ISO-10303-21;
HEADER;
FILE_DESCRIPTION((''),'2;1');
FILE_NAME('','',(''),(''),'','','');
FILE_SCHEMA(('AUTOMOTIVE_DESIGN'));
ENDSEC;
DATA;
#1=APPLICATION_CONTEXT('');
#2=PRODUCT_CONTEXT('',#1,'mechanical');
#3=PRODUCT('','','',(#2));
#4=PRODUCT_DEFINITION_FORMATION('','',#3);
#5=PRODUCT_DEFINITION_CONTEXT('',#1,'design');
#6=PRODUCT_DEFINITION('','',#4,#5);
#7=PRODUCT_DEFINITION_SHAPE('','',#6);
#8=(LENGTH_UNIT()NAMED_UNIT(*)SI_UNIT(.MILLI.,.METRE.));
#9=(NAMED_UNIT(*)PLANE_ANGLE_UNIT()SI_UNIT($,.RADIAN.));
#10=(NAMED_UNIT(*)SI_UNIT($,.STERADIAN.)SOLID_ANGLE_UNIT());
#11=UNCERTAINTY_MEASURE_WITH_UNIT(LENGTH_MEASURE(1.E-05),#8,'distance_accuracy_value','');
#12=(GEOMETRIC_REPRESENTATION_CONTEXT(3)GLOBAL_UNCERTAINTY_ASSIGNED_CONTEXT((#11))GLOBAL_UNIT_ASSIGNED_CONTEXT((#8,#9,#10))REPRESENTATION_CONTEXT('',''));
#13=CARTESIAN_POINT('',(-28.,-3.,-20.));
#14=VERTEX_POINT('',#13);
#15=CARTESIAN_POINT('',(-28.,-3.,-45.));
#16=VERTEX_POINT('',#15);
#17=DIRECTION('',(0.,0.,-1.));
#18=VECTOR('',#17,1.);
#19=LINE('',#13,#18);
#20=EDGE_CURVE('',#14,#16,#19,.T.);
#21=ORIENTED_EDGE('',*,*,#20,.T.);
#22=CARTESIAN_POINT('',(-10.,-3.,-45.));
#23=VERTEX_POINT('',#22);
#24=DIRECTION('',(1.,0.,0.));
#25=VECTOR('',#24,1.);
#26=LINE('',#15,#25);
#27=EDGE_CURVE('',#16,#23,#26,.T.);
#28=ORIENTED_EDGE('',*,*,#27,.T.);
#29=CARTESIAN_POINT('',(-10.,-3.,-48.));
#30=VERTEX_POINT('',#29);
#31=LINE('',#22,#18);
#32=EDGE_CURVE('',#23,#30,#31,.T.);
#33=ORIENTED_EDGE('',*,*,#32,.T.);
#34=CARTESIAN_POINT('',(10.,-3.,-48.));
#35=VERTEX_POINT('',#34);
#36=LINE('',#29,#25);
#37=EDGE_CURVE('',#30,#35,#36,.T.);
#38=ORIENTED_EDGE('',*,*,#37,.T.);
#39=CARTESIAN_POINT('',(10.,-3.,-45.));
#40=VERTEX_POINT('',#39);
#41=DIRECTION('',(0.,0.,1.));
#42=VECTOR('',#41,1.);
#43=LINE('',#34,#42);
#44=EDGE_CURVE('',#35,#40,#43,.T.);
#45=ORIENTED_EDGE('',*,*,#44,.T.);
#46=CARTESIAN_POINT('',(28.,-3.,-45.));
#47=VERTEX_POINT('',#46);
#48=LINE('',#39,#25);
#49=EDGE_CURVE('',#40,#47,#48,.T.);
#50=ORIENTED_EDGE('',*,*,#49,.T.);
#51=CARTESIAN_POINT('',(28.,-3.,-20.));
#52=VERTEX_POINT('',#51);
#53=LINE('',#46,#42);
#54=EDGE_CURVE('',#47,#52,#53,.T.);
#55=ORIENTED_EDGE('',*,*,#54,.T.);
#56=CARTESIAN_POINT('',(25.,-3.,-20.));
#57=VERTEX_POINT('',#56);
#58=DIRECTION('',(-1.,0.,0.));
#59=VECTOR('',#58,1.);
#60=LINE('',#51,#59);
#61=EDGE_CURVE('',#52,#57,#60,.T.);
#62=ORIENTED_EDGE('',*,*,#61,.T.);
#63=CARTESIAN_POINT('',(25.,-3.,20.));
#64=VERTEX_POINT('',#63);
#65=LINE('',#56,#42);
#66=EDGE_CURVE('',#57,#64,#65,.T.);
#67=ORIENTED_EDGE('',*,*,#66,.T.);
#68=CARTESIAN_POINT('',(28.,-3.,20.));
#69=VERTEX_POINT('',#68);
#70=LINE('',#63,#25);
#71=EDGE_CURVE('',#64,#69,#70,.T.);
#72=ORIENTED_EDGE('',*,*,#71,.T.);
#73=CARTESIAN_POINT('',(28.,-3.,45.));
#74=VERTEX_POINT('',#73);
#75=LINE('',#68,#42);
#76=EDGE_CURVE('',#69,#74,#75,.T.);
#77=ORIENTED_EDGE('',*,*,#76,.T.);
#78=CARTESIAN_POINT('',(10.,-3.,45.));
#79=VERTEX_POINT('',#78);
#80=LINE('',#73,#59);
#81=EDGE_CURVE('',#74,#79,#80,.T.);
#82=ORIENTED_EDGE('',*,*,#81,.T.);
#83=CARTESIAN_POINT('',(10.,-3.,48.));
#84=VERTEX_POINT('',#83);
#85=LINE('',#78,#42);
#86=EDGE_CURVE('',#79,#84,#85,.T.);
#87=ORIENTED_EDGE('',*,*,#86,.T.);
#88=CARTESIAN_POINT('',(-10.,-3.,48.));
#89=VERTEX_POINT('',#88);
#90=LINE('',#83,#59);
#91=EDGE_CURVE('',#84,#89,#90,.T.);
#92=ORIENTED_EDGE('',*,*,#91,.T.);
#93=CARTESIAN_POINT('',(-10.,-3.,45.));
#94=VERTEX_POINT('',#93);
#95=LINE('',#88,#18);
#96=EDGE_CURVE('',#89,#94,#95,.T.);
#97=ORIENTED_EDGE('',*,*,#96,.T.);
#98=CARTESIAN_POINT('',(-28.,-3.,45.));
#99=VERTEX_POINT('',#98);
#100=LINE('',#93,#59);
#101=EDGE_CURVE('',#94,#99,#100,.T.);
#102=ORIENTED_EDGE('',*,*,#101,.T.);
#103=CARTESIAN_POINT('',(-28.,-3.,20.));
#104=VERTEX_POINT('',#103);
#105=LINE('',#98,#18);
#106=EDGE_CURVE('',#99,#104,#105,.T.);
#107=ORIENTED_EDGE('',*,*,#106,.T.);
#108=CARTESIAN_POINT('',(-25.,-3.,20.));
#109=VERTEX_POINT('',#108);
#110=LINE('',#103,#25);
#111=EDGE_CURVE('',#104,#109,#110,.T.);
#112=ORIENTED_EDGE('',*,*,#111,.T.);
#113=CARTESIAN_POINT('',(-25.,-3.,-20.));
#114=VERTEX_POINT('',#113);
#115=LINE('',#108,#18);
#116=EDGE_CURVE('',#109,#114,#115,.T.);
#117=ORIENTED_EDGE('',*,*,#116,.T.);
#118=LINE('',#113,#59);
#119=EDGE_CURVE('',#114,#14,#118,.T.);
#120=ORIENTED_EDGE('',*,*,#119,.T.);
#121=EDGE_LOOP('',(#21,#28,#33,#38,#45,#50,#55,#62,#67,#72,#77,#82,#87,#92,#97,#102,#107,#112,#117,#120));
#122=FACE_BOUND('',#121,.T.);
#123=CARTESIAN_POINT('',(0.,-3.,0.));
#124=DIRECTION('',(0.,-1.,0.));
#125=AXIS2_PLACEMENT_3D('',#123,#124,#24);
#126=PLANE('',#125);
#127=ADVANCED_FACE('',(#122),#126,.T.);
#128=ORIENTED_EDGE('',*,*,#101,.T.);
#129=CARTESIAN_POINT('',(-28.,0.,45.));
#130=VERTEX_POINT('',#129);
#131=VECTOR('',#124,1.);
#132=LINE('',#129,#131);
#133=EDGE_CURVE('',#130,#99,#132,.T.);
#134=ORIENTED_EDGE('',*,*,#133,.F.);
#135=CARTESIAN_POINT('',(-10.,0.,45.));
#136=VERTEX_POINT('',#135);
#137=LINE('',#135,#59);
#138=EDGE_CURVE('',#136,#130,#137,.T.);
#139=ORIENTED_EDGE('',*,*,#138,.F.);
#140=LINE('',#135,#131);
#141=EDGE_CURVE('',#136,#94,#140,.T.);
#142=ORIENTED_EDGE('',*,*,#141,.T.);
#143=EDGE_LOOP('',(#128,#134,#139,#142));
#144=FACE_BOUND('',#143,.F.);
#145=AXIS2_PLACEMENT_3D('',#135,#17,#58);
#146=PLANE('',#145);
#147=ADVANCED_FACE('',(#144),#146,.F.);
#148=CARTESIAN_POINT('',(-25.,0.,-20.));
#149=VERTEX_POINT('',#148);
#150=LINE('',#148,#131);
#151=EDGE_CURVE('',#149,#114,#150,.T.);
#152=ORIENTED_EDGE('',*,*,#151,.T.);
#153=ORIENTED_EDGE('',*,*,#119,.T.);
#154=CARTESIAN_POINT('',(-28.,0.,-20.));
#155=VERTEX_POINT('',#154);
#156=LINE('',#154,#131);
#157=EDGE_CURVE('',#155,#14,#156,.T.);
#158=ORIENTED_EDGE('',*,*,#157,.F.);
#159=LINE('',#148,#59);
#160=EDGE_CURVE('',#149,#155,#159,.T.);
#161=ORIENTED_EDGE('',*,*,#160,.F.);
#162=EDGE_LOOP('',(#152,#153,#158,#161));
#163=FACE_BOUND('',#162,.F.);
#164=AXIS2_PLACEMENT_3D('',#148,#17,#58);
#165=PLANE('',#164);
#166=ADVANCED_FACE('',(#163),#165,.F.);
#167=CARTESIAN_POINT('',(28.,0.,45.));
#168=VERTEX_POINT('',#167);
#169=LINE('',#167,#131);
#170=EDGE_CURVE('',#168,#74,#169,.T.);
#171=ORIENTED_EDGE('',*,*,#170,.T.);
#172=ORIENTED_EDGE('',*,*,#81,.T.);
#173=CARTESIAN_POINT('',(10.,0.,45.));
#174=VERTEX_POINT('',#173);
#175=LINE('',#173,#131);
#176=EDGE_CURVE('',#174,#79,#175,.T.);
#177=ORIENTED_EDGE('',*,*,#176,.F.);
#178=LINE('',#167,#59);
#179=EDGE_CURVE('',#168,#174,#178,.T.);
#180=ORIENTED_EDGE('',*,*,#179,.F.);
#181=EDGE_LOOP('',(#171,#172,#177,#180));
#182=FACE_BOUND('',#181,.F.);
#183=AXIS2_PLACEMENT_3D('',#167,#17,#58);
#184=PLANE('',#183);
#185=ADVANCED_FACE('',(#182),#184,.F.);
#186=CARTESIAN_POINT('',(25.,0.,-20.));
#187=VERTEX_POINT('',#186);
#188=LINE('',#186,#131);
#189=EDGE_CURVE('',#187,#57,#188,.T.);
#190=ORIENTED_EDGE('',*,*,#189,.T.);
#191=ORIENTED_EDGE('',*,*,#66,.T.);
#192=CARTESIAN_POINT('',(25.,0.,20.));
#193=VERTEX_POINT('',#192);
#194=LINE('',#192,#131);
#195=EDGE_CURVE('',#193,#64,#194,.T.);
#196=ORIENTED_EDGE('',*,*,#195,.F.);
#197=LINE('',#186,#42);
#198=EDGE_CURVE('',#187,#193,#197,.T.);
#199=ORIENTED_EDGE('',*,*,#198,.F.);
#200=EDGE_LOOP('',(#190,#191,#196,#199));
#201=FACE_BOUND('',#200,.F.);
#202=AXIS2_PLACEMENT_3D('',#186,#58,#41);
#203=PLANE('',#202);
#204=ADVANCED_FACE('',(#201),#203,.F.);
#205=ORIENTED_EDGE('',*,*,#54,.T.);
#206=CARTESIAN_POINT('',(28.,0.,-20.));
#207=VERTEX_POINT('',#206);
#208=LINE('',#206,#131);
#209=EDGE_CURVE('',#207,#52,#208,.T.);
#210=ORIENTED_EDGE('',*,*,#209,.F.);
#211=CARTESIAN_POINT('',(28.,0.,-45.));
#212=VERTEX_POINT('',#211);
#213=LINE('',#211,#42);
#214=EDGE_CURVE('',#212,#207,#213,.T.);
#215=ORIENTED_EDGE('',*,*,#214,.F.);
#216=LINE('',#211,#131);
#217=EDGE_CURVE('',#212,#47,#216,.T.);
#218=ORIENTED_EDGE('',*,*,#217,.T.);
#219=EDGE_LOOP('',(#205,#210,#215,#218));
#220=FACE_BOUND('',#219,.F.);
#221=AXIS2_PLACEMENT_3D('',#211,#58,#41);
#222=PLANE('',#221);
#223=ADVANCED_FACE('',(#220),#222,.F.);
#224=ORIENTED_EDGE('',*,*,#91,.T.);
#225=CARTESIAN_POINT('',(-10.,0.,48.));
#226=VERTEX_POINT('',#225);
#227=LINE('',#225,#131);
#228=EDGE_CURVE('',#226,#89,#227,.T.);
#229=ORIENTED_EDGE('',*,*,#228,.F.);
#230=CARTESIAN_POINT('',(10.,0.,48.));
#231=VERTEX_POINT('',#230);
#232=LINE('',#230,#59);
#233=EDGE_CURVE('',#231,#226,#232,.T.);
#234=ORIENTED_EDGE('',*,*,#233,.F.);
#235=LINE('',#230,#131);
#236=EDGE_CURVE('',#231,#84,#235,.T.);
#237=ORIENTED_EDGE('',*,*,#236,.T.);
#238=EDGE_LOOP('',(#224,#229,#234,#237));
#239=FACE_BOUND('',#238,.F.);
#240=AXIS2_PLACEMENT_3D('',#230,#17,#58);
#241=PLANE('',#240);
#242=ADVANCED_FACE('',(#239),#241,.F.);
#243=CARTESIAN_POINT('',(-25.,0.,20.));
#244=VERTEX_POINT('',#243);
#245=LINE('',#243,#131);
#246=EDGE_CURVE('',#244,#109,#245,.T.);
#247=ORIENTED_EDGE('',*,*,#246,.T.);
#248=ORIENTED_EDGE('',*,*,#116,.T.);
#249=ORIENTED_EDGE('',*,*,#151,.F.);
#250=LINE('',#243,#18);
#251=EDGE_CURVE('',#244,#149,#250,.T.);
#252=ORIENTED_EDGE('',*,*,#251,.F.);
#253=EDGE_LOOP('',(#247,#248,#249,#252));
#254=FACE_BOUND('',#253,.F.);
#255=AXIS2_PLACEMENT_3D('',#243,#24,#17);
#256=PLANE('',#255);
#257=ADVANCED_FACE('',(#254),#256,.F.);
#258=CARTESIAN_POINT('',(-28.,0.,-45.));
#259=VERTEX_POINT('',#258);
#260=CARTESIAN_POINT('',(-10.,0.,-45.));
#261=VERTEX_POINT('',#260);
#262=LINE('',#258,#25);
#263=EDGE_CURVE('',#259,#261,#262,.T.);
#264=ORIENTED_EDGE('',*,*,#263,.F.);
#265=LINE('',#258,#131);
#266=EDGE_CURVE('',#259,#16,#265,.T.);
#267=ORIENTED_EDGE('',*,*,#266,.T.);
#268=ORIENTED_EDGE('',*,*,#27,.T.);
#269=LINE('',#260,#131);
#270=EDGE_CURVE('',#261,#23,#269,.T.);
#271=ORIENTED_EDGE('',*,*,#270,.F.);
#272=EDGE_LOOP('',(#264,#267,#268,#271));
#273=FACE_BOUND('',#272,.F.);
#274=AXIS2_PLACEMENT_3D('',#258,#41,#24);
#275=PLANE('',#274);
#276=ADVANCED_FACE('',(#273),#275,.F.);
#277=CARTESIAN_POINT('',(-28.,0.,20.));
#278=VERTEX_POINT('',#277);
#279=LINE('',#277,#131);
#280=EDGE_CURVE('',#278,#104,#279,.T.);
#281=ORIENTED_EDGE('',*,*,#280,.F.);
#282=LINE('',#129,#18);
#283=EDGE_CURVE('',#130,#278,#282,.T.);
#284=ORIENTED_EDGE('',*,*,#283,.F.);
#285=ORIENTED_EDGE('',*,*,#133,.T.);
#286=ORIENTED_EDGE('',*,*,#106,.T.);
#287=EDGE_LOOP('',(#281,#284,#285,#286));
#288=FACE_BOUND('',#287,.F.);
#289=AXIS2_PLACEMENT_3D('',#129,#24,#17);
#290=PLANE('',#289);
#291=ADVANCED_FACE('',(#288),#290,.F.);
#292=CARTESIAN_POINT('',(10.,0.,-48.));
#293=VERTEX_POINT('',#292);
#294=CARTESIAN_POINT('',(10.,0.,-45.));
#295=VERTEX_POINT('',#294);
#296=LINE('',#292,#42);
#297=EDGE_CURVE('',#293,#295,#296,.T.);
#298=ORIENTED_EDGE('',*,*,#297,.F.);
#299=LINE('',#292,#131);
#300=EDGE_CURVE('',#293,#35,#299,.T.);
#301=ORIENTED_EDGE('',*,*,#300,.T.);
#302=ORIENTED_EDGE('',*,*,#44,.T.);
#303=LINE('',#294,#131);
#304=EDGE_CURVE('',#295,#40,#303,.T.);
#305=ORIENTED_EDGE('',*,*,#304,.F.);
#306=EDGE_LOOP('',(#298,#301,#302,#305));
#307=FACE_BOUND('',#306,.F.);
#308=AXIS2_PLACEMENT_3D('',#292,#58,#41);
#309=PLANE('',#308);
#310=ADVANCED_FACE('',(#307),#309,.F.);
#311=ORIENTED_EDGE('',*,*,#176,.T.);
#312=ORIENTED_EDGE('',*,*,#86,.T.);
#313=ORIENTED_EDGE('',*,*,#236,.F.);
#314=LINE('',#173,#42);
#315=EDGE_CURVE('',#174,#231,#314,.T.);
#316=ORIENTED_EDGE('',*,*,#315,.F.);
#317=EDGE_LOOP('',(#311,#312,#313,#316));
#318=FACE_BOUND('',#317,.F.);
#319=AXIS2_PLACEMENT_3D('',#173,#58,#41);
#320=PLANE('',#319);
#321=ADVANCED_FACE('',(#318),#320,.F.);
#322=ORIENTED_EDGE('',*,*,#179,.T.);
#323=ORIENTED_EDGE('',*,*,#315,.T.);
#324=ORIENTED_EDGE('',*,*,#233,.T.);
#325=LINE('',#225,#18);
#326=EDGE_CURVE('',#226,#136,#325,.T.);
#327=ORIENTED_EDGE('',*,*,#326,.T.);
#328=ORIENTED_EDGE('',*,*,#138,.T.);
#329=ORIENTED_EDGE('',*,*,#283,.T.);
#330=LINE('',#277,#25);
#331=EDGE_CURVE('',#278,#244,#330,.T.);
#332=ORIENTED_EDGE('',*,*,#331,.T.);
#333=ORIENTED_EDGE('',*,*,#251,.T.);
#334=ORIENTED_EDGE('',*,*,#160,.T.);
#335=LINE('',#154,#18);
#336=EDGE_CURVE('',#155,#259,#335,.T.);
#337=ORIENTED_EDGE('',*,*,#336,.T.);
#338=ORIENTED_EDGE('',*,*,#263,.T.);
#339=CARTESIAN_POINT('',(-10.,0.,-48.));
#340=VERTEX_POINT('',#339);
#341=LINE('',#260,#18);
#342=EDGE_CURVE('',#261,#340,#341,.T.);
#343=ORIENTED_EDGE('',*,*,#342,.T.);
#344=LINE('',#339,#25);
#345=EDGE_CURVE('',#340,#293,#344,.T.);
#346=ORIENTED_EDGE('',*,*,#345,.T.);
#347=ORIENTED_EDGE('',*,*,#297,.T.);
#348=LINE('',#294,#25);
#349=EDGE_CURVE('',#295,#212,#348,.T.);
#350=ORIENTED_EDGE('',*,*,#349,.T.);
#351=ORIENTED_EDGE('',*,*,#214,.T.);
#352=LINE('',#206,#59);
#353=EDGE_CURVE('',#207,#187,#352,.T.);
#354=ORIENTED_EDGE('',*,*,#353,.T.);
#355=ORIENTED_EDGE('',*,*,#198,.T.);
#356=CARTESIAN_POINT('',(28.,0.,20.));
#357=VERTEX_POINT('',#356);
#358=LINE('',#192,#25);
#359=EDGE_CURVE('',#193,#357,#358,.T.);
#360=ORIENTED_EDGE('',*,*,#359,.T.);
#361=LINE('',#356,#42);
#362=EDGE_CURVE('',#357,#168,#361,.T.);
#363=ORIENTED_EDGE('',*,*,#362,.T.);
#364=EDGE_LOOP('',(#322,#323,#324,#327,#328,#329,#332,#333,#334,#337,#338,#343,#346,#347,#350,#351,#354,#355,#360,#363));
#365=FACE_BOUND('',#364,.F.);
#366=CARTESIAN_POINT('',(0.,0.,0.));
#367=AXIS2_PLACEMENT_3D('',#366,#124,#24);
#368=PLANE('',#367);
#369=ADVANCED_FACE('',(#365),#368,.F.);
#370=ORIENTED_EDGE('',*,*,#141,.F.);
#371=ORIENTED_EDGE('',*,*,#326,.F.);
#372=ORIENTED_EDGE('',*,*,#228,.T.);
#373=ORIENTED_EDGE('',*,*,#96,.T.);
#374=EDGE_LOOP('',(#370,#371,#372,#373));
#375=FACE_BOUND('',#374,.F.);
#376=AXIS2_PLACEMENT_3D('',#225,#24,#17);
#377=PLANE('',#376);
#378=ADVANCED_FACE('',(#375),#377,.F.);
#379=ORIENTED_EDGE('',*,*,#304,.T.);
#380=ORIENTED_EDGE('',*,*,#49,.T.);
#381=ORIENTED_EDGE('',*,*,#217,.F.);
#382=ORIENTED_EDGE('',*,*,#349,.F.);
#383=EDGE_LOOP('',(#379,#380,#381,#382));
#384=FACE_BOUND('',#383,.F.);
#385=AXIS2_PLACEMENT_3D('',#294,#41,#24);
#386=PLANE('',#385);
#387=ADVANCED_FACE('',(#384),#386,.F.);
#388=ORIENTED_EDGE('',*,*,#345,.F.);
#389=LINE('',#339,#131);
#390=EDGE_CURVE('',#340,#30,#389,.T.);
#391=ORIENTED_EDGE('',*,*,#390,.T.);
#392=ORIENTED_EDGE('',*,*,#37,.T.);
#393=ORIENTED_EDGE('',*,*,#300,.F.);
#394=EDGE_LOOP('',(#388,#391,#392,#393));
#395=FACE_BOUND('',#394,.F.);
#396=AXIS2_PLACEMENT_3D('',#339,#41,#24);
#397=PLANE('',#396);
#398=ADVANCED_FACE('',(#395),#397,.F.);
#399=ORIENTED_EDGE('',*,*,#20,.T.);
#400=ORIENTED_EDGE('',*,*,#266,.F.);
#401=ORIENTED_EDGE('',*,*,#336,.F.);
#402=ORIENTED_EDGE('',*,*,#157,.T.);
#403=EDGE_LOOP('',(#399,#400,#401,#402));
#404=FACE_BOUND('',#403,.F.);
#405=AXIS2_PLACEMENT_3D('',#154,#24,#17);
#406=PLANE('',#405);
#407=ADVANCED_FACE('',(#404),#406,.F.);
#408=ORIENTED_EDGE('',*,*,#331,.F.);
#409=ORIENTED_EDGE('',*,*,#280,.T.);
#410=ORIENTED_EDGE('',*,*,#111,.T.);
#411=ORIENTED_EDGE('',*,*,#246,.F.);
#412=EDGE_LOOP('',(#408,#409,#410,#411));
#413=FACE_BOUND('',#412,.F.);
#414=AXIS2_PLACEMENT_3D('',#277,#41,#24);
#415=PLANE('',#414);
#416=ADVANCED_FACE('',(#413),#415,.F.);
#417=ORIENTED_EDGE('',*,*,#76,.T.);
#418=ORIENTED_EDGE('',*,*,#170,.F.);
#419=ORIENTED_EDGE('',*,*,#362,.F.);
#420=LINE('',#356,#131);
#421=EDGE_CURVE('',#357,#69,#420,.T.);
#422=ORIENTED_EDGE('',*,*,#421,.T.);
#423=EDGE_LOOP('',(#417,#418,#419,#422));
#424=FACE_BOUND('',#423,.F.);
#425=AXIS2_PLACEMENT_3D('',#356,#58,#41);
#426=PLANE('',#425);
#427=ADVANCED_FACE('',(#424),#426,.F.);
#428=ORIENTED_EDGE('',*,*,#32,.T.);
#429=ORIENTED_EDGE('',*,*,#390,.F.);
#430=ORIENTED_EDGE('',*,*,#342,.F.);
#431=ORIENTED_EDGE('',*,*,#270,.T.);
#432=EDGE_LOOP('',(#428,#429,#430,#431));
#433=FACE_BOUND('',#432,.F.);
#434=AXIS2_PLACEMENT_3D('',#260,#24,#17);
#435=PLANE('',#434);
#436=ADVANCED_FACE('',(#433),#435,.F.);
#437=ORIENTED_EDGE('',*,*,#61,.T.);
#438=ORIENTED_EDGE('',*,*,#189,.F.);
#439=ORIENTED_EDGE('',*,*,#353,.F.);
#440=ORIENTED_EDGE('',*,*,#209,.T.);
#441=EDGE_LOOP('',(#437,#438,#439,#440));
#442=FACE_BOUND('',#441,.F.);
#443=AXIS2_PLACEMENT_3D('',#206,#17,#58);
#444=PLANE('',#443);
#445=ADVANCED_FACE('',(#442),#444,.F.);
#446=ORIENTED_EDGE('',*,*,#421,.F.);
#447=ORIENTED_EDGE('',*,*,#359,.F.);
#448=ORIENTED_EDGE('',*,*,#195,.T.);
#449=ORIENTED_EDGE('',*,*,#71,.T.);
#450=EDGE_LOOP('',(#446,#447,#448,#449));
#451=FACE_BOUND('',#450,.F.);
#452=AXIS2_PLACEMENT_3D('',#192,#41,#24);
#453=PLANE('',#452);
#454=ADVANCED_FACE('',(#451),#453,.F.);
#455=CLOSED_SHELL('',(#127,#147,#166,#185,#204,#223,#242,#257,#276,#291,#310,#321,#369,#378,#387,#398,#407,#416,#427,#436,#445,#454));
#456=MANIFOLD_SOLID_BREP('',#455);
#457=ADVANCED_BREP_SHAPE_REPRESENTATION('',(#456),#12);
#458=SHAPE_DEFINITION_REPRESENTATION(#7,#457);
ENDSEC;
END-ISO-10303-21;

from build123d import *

# Parameters (mm, degrees)
F1_DEPTH = 3


with BuildPart() as f1:
    # F0 (on Front) → F1 (new body)
    with BuildSketch(Plane.XZ):
        Polygon((10, 48), (0, 48), (-10, 48), (-10, 45), (-28, 45), (-28, 20), (-25, 20), (-25, 0), (-25, -20), (-28, -20), (-28, -45), (-10, -45), (-10, -48), (0, -48), (10, -48), (10, -45), (28, -45), (28, -20), (25, -20), (25, 0), (25, 20), (28, 20), (28, 45), (10, 45), align=None)
    extrude(amount=F1_DEPTH)


solid = f1.part
